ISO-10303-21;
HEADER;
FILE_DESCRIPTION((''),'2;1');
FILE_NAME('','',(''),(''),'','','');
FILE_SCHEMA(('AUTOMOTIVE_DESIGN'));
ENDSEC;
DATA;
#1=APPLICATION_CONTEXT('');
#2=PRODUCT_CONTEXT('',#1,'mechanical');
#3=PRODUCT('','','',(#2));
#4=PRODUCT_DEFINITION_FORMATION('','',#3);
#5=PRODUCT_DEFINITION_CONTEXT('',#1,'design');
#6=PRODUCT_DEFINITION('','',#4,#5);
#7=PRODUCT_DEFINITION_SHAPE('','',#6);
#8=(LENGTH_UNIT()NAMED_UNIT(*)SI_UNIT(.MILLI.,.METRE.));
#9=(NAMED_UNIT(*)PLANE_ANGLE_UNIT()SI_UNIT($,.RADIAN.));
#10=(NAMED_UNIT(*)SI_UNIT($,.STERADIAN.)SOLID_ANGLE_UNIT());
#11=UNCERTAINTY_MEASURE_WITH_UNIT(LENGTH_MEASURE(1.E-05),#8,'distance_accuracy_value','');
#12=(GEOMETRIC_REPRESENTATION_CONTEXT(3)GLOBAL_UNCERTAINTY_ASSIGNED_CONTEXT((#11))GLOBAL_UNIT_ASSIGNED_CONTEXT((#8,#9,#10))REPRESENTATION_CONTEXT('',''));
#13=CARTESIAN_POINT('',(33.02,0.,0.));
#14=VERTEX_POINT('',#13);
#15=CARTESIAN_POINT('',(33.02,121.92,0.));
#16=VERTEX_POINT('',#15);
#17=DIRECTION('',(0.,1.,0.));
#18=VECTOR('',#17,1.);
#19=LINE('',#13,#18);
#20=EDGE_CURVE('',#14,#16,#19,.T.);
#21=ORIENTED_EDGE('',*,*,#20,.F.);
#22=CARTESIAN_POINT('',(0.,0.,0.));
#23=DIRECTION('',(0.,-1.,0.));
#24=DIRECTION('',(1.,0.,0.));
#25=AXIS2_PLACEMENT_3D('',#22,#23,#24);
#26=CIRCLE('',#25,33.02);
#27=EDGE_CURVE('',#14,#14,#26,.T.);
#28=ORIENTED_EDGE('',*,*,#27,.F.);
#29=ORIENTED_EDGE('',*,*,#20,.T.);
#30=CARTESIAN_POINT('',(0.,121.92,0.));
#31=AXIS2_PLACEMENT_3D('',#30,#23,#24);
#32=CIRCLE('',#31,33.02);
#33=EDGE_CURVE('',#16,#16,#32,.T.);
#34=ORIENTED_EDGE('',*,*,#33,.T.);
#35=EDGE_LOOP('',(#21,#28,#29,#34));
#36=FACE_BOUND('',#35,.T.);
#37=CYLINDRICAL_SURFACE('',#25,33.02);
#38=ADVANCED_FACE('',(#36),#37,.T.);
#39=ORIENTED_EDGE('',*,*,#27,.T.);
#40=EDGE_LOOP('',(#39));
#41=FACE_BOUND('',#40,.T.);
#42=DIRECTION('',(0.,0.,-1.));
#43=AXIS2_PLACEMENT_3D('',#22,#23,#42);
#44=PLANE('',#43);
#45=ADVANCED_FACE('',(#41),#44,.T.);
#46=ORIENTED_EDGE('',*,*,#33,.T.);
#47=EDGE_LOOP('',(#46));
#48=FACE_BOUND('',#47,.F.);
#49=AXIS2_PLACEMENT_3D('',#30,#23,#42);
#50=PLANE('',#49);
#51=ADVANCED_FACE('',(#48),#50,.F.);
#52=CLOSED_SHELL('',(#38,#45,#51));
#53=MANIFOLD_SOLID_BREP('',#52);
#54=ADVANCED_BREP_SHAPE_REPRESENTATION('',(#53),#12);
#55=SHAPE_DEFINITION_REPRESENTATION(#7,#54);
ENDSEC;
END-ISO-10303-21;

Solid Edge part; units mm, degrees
sketch "Sketch1" plane through (0, 0, 0) normal (0, -1, 0) x (1, 0, 0)
  circle A0 centre (0, 0) radius 33.02
  dimension "D1" = 66.04
extrude "Protrusion1" add sketch "Sketch1" against normal blind 121.92
properties part number "SPaRC - 004"
